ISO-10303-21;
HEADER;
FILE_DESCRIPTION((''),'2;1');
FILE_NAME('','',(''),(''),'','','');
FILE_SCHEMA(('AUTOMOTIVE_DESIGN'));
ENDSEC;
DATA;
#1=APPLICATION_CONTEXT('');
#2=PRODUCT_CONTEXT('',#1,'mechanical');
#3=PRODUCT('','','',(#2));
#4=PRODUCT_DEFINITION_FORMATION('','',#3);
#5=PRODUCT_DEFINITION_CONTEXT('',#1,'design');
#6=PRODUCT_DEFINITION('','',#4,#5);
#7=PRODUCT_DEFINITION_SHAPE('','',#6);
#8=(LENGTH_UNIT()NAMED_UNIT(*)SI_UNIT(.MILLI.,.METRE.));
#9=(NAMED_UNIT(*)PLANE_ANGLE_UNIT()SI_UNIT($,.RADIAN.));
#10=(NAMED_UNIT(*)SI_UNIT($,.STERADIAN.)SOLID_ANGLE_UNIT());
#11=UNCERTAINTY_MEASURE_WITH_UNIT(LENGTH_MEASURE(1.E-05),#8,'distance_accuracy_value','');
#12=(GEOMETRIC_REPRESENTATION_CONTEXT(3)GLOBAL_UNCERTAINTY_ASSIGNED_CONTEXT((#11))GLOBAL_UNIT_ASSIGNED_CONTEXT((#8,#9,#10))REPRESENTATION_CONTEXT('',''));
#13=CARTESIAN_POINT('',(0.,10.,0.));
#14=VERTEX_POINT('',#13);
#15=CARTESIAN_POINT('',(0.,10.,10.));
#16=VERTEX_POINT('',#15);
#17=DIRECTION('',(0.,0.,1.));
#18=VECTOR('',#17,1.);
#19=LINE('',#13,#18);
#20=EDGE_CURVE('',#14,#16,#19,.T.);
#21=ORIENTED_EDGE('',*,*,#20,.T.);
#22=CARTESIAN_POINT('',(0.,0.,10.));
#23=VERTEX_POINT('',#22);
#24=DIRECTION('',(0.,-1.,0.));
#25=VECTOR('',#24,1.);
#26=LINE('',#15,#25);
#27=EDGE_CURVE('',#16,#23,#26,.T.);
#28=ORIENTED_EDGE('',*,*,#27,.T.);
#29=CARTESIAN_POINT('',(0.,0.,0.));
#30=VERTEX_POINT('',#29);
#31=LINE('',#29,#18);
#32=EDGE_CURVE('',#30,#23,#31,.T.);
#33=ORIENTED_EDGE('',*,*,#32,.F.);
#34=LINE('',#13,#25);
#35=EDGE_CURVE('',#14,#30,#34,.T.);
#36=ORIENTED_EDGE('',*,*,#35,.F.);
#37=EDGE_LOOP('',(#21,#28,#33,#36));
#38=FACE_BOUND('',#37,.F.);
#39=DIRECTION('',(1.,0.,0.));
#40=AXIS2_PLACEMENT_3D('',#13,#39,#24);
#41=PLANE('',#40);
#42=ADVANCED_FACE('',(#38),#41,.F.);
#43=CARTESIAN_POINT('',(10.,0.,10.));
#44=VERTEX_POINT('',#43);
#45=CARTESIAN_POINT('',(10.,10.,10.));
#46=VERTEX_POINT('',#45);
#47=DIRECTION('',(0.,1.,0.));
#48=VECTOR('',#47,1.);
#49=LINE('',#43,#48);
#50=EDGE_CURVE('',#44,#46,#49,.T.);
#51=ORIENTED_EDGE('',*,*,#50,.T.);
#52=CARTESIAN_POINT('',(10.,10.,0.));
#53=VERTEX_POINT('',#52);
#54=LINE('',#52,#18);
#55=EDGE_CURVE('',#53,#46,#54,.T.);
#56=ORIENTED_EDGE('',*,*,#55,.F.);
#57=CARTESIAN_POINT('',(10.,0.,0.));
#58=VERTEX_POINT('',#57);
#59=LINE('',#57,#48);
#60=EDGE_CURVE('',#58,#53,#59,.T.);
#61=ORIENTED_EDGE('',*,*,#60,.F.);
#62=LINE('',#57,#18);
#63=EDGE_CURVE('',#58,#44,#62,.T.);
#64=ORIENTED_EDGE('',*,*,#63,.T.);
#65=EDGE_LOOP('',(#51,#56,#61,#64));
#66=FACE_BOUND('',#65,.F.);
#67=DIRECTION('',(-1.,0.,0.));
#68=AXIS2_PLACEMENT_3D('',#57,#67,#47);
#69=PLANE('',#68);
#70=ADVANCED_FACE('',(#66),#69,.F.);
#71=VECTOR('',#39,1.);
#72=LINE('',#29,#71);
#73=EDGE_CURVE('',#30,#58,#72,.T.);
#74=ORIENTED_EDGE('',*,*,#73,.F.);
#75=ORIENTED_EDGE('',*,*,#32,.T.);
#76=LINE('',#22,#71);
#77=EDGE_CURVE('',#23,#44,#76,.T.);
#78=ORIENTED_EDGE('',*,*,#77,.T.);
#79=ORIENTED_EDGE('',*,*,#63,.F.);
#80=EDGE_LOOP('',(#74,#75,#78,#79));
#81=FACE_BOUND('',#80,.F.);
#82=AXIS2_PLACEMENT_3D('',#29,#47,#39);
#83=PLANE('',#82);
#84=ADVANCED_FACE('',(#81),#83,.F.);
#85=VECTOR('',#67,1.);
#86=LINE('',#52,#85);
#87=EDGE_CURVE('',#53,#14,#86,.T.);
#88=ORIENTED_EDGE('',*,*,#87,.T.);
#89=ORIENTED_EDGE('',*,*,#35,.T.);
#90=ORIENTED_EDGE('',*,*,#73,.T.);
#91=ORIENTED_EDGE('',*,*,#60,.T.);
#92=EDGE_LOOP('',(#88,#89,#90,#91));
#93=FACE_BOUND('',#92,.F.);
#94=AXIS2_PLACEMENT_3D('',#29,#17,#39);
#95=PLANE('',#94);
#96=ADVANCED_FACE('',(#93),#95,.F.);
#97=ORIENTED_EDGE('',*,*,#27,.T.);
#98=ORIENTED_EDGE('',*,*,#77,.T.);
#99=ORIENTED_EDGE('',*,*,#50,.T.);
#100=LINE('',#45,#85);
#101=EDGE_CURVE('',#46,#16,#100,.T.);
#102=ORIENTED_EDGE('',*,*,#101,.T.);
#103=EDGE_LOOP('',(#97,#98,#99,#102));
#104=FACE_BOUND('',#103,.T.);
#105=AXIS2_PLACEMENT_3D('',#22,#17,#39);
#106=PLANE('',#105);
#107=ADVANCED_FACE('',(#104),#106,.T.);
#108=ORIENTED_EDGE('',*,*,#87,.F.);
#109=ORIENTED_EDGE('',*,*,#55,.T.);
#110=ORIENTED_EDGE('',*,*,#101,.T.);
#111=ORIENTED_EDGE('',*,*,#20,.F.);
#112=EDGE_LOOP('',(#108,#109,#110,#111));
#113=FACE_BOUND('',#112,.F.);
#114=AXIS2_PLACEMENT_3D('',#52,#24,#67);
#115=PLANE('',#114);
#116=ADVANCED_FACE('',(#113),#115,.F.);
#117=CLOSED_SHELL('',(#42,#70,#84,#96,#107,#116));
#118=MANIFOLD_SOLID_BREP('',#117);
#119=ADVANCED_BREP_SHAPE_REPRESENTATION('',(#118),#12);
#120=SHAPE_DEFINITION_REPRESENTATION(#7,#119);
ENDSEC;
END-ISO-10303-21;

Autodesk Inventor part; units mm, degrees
ref_plane "YZ Plane" through (0, 0, 0) normal (1, 0, 0) x (0, 1, 0)
ref_plane "XZ Plane" through (0, 0, 0) normal (0, 1, 0) x (-1, 0, 0)
ref_plane "XY Plane" through (0, 0, 0) normal (0, 0, 1) x (1, 0, 0)
sketch "Sketch1" plane through (0, 0, 0) normal (0, 0, 1) x (1, 0, 0)
  line L0 (0, 0) -> (10, 0)
  line L1 (10, 0) -> (10, 10)
  line L2 (10, 10) -> (0, 10)
  line L3 (0, 10) -> (0, 0)
  dimension "d0" = 10
  dimension "d1" = 10
extrude "Extrusion1" add sketch "Sketch1" along normal blind 10
properties part number "Cube_AutoCAD_Origin"
